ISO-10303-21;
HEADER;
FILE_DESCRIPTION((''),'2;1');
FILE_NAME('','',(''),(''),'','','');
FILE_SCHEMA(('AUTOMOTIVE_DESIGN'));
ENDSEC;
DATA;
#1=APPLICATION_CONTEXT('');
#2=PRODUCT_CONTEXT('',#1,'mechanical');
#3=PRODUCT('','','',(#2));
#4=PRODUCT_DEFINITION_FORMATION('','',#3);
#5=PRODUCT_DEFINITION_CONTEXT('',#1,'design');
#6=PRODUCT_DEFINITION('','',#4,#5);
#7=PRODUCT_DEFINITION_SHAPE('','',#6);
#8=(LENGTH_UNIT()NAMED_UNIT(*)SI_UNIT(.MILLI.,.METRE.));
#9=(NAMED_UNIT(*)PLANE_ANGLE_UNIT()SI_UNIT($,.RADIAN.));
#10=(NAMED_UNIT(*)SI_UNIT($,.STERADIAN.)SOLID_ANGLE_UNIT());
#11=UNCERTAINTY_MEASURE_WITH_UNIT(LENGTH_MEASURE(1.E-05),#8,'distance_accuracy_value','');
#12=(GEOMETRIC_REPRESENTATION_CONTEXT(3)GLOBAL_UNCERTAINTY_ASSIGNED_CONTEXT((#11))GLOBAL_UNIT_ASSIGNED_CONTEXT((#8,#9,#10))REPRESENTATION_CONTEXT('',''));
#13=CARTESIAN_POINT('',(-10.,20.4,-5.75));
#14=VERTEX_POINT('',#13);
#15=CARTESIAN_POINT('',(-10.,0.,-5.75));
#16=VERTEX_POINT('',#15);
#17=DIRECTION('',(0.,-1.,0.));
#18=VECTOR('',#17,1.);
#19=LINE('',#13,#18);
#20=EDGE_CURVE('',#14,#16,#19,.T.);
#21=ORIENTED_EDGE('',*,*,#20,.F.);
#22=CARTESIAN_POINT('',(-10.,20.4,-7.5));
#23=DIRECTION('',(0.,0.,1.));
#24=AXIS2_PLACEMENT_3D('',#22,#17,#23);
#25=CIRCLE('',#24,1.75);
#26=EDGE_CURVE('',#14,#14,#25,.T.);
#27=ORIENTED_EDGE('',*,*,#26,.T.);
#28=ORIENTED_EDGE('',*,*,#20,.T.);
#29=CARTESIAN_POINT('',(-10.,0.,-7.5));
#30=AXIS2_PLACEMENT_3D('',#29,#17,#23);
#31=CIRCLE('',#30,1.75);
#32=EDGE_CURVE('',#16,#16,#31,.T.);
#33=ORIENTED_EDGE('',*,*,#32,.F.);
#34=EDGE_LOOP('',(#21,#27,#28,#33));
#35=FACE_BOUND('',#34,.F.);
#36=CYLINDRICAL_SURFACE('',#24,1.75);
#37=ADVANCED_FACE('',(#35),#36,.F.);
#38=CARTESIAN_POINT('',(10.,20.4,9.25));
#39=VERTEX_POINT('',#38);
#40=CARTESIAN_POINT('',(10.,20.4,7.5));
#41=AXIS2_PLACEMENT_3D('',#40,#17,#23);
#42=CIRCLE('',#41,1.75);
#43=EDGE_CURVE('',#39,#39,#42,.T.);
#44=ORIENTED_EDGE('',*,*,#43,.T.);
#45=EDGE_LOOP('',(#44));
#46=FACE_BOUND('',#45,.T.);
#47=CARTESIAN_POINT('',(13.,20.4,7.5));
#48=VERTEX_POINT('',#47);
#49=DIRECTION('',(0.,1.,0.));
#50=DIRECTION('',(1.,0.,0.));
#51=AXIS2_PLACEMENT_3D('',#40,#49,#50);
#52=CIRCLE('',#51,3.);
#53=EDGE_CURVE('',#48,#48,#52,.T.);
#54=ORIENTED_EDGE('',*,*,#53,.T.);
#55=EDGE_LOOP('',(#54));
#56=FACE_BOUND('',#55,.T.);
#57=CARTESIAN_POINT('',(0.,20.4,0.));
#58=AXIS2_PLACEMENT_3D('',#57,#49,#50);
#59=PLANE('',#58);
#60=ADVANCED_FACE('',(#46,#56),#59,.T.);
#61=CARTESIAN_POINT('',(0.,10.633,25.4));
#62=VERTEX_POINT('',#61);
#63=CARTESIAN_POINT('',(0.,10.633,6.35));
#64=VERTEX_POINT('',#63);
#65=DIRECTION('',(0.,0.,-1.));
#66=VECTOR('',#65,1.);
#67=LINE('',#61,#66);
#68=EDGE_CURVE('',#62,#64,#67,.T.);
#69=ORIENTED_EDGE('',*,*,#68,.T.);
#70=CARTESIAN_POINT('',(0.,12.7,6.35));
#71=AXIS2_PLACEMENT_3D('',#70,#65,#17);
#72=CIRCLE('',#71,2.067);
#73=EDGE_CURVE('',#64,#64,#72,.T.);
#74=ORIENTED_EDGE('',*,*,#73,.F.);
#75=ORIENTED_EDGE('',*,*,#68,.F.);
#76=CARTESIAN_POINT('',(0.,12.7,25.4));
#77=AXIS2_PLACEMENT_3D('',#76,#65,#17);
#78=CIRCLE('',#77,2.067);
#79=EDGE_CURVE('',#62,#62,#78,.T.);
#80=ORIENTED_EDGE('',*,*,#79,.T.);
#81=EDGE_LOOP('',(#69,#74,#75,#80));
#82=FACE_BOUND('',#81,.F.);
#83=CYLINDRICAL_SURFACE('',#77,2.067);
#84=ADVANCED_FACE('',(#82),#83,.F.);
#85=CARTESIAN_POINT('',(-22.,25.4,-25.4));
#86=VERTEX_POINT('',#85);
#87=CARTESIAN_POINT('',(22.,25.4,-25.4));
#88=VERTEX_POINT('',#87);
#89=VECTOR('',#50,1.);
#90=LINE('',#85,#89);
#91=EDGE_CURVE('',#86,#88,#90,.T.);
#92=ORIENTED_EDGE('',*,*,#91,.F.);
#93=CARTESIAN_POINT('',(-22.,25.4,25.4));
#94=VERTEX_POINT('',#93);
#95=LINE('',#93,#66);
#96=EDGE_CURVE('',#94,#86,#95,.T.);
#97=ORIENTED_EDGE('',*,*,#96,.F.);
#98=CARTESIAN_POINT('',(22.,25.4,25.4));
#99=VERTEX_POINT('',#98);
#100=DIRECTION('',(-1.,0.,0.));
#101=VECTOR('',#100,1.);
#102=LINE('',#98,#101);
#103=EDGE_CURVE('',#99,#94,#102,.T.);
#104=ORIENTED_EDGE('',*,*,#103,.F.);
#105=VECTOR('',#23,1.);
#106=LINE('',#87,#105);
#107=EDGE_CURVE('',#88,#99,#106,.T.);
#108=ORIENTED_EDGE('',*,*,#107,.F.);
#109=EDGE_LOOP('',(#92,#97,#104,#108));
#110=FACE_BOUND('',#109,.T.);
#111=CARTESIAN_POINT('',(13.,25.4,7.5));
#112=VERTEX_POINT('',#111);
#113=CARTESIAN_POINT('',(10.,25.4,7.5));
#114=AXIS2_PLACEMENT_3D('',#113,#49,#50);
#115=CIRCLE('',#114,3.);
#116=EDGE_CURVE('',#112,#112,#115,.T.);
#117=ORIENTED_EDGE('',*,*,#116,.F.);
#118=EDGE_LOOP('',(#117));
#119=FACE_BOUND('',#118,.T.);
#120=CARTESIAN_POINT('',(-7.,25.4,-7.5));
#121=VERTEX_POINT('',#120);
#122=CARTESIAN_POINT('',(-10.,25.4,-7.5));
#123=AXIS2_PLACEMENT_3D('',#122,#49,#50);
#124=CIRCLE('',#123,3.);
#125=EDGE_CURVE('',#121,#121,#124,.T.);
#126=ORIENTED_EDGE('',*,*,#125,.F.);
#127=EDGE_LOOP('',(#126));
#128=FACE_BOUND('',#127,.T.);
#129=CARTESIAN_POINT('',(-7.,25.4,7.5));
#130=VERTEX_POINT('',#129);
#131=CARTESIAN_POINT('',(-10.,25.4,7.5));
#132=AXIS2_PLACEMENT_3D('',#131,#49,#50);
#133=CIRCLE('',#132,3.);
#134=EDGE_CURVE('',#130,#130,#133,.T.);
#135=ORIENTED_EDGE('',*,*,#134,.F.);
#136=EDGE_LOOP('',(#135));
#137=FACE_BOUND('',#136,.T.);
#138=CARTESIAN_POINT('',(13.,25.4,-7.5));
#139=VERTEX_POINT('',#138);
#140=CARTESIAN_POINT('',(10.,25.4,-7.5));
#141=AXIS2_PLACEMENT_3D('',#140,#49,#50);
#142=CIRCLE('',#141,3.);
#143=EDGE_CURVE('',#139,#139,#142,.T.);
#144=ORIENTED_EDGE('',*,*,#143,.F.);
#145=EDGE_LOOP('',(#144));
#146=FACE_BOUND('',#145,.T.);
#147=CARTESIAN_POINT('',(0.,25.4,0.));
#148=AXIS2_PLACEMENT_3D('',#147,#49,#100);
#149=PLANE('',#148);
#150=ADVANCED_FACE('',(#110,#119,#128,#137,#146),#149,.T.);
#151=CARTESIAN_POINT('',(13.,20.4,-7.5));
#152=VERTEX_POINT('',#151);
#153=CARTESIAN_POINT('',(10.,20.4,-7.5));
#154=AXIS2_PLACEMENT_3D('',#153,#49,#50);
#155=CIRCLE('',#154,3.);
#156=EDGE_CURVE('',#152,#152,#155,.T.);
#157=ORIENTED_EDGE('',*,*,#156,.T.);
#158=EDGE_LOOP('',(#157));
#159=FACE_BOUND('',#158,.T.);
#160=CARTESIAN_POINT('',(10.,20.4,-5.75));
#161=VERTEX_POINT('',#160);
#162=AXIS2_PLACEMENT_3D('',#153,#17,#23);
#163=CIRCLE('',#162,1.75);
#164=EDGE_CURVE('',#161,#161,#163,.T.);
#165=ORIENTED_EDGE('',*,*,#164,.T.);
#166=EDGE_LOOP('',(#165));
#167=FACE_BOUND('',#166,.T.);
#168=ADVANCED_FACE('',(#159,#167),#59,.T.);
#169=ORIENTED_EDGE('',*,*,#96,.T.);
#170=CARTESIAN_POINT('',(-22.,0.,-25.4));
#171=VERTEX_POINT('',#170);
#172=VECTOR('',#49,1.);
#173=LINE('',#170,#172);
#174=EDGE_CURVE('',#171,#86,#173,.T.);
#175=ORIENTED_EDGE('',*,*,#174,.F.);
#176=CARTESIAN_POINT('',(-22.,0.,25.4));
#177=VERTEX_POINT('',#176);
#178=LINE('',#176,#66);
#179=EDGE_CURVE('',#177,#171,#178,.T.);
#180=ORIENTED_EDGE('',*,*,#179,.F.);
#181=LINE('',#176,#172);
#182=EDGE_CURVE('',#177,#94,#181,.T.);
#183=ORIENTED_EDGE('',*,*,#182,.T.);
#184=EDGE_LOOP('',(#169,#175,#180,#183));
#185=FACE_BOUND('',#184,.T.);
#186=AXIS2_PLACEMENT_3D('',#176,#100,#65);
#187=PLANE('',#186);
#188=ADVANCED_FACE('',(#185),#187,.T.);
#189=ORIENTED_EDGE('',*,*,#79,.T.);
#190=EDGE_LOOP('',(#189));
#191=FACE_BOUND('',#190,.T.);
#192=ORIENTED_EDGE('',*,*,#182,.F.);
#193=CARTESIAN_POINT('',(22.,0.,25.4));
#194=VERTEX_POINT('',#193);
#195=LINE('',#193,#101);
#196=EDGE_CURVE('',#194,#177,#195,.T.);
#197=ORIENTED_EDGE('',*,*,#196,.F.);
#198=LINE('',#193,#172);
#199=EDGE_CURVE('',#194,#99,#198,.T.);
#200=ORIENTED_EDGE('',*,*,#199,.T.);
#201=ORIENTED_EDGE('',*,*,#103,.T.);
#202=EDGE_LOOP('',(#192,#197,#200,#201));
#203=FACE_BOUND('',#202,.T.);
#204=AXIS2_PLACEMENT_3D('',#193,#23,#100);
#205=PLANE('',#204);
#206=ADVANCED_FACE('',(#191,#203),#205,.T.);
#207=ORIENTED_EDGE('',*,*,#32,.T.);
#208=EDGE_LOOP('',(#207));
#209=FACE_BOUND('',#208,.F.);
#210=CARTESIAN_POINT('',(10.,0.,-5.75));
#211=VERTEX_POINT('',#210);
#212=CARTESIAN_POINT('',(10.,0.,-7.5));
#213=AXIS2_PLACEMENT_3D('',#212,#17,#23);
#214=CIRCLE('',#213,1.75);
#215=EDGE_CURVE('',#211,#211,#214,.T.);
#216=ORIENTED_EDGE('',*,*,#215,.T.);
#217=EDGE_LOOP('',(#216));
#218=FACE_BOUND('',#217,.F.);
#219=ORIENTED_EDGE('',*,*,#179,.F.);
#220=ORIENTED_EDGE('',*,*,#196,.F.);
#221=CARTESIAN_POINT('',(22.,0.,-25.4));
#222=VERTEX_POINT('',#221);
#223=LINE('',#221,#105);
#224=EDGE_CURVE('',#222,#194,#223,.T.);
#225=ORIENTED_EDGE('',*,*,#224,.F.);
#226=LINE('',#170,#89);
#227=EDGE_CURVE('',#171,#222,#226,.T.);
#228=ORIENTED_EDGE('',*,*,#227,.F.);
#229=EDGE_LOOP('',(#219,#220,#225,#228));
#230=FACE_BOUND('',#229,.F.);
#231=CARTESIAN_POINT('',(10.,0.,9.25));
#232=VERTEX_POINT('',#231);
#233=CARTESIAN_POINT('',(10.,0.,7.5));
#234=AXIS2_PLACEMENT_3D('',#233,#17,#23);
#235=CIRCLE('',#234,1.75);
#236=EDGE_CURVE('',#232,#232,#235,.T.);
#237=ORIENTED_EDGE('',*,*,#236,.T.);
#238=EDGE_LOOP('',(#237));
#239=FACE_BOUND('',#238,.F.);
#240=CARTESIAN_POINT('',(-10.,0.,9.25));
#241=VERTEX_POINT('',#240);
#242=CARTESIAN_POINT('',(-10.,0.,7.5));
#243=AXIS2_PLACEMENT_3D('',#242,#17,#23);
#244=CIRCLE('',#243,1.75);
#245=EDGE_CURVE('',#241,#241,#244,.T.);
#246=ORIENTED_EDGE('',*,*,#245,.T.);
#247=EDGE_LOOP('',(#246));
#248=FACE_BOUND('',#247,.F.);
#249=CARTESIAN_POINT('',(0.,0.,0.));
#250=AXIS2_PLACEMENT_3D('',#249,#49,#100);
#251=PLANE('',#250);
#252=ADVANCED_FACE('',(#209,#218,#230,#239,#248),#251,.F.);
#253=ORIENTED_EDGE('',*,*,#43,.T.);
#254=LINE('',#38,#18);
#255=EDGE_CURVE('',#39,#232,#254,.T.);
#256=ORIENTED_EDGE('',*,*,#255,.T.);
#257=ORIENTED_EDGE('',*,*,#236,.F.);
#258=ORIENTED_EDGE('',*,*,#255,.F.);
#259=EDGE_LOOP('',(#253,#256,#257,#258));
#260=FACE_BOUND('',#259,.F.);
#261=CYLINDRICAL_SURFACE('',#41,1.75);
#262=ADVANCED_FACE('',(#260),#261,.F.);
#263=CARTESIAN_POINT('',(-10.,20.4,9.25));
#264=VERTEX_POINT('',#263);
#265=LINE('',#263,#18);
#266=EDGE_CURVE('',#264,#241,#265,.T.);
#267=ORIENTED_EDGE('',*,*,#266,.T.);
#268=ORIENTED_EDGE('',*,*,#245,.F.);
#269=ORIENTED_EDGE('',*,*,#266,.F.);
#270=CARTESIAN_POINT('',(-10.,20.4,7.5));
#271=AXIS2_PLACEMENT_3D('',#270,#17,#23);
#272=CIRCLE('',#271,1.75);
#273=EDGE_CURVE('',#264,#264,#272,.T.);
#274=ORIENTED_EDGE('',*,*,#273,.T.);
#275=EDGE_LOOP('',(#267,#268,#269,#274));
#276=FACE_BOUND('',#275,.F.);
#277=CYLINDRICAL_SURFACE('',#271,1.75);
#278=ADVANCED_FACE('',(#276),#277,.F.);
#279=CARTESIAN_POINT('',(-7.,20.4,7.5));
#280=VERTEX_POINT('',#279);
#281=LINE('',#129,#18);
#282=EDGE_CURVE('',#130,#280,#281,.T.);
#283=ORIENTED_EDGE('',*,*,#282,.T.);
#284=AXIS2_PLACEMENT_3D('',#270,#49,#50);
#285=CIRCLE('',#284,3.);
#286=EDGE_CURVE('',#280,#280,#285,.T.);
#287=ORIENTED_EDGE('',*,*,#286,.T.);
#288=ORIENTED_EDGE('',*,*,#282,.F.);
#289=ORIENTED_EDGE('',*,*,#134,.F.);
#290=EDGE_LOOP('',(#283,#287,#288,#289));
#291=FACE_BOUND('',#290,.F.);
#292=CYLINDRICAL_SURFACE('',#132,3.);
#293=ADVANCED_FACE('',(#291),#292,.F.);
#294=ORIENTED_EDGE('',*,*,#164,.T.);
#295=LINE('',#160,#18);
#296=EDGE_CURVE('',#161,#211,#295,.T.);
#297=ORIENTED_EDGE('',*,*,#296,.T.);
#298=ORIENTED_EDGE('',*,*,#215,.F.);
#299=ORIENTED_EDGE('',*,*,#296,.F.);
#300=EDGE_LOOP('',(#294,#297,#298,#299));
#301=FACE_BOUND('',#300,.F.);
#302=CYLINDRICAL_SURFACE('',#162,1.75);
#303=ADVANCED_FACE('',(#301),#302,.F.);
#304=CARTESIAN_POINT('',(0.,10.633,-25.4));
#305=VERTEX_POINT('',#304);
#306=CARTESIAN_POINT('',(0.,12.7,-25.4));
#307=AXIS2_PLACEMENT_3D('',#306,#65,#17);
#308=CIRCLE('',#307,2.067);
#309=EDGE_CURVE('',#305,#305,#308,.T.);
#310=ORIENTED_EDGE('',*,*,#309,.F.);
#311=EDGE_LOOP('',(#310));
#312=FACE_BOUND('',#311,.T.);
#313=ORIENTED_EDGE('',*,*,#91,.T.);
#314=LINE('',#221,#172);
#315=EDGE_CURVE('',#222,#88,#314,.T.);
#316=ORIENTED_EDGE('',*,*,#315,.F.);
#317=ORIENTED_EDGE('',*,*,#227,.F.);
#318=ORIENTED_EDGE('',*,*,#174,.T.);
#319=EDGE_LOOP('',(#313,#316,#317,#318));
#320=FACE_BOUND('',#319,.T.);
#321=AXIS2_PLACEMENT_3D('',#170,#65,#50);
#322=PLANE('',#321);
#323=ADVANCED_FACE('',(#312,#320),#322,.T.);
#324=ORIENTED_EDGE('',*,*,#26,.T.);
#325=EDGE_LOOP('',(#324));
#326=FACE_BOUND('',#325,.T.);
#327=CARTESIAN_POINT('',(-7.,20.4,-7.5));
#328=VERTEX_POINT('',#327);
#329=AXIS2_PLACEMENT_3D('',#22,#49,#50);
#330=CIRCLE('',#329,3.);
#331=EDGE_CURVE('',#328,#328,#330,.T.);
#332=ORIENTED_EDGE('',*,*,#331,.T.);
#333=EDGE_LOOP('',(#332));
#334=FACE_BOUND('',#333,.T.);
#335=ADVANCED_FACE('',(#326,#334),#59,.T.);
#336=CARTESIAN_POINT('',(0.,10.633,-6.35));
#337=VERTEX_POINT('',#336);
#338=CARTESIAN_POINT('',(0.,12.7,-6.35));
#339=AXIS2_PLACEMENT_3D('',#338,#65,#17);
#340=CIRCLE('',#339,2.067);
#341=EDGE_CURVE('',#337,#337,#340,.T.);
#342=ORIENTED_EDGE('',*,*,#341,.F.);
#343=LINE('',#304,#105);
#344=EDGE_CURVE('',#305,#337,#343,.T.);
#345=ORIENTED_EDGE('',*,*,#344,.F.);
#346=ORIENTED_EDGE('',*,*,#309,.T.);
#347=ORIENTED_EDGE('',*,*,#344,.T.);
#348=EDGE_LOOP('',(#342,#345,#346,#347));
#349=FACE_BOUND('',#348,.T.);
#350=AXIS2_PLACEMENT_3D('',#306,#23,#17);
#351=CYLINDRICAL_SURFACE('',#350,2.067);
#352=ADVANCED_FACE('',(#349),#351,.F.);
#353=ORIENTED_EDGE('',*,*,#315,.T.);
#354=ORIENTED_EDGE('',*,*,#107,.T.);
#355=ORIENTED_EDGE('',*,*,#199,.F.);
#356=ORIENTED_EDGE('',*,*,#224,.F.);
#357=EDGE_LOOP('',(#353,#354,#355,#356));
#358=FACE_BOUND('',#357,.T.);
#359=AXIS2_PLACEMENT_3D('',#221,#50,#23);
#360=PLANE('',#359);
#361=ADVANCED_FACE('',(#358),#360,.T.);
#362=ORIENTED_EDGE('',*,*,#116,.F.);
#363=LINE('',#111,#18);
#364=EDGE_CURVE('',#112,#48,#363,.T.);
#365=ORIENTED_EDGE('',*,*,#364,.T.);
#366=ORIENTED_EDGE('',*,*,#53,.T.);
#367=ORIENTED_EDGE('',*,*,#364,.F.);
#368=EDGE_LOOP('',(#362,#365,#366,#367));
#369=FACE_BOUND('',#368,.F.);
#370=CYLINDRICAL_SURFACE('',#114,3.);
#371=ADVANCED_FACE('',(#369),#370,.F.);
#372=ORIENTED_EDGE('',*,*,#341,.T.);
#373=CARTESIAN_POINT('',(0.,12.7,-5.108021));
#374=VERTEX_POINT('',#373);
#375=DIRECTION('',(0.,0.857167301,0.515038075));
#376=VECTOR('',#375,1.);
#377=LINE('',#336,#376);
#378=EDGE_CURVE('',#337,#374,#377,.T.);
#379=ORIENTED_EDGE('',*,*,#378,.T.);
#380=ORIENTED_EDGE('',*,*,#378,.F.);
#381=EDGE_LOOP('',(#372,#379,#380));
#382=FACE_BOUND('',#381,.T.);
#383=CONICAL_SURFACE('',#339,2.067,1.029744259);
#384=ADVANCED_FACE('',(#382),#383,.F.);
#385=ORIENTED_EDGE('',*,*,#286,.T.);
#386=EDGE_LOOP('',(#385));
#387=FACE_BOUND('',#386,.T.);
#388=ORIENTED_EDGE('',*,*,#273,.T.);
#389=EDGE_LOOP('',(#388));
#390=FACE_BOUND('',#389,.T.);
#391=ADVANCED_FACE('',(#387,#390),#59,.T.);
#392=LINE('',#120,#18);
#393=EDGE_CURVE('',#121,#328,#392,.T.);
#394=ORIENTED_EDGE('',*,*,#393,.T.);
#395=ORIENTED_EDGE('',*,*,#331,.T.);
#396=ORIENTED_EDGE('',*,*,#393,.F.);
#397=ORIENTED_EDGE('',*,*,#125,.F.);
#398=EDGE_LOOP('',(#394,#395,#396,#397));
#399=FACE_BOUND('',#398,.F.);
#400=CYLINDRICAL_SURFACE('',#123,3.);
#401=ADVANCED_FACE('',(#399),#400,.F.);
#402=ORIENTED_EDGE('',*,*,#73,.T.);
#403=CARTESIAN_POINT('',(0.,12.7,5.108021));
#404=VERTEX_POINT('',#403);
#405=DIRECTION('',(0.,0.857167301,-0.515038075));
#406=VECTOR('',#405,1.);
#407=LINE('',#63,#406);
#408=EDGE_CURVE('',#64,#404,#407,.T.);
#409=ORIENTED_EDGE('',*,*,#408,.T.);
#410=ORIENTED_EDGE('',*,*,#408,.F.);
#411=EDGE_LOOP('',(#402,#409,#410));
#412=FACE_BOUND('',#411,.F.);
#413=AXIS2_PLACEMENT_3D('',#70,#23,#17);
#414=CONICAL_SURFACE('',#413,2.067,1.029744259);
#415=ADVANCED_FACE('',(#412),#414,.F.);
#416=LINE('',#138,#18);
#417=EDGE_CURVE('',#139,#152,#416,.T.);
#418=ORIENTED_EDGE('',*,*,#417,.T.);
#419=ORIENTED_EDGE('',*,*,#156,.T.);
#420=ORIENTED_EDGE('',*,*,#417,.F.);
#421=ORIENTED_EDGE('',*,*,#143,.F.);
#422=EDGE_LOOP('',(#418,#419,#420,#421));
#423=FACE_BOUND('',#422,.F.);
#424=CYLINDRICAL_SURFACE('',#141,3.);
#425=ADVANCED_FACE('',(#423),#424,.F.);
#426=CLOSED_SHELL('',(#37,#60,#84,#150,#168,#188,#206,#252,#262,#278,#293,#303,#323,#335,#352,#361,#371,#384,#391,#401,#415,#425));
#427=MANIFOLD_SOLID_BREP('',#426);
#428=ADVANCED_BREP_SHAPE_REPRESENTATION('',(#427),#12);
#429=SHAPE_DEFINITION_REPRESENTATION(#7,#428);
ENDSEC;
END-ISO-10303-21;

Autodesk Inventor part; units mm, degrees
ref_plane "YZ Plane" through (0, 0, 0) normal (1, 0, 0) x (0, 1, 0)
ref_plane "XZ Plane" through (0, 0, 0) normal (0, 1, 0) x (-1, 0, 0)
ref_plane "XY Plane" through (0, 0, 0) normal (0, 0, 1) x (1, 0, 0)
sketch "Sketch2" plane through (0, 0, 0) normal (0, 1, 0) x (-1, 0, 0)
  line L0 (-22, 25.4) -> (22, 25.4)
  line L1 (22, 25.4) -> (22, -25.4)
  line L2 (22, -25.4) -> (-22, -25.4)
  line L3 (-22, -25.4) -> (-22, 25.4)
  line L4 (-22, 25.4) -> (22, -25.4) construction
  line L5 (22, 25.4) -> (-22, -25.4) construction
  point P0 (0, 0)
  dimension "d0" = 50.8
  dimension "d1" = 44
extrude "Extrusion1" add sketch "Sketch2" along normal blind 25.4
sketch "Sketch3" plane through (-22, 0, 25.4) normal (0, 0, 1) x (1, 0, 0)
  line L0 (0, 25.4) -> (44, 25.4) construction
  line L1 (0, 0) -> (44, 0) construction
  line L2 (44, 0) -> (44, 25.4) construction
  line L3 (44, 25.4) -> (0, 25.4) construction
  line L4 (0, 25.4) -> (0, 0) construction
  line L5 (0, 0) -> (44, 25.4) construction
  line L6 (44, 0) -> (0, 25.4) construction
  point P0 (22, 0)
  point P1 (22, 12.7)
hole "Hole1" at (0, 12.7, 25.4) direction (0, 0, -1) diameter 4.134 depth 19.05 tip angle 118 thread size "M5x0.8" class "6H" standard "ANSI Metric M Profile"
mirror "Mirror1" about plane through (0, 0, 0) normal (0, 0, 1) of "Hole1"
sketch "Sketch4" plane through (0, 25.4, 0) normal (0, 1, 0) x (1, 0, 0)
  line L0 (10, -7.5) -> (10, 7.5) construction
  line L1 (10, 7.5) -> (-10, 7.5) construction
  line L2 (-10, 7.5) -> (-10, -7.5) construction
  line L3 (-10, -7.5) -> (10, -7.5) construction
  line L4 (10, -7.5) -> (-10, 7.5) construction
  line L5 (10, 7.5) -> (-10, -7.5) construction
  circle A0 centre (-10, 7.5) radius 3
  circle A1 centre (10, 7.5) radius 3
  circle A2 centre (10, -7.5) radius 3
  circle A3 centre (-10, -7.5) radius 3
  point P0 (0, 0)
  dimension "d15" = 20
  dimension "d16" = 15
  dimension "d14" = 6
  dimension "d13" = 6
  dimension "d12" = 6
  dimension "d11" = 6
extrude "Extrusion2" cut sketch "Sketch4" against normal blind 5
sketch "Sketch5" plane through (-10, 20.4, 7.5) normal (0, 1, 0) x (1, 0, 0)
  circle A0 centre (0, 15) radius 3 projected
  circle A1 centre (20, 0) radius 3 projected
  circle A2 centre (20, 15) radius 3 projected
  point P0 (16, 18)
  point P1 (0, 0)
hole "Hole2" at (-10, 20.4, -7.5) at (-10, 20.4, 7.5) at (10, 20.4, 7.5) at (10, 20.4, -7.5) direction (0, -1, 0) diameter 3.5 end through all
properties part number "Mass 2" material "Steel, Mild"
